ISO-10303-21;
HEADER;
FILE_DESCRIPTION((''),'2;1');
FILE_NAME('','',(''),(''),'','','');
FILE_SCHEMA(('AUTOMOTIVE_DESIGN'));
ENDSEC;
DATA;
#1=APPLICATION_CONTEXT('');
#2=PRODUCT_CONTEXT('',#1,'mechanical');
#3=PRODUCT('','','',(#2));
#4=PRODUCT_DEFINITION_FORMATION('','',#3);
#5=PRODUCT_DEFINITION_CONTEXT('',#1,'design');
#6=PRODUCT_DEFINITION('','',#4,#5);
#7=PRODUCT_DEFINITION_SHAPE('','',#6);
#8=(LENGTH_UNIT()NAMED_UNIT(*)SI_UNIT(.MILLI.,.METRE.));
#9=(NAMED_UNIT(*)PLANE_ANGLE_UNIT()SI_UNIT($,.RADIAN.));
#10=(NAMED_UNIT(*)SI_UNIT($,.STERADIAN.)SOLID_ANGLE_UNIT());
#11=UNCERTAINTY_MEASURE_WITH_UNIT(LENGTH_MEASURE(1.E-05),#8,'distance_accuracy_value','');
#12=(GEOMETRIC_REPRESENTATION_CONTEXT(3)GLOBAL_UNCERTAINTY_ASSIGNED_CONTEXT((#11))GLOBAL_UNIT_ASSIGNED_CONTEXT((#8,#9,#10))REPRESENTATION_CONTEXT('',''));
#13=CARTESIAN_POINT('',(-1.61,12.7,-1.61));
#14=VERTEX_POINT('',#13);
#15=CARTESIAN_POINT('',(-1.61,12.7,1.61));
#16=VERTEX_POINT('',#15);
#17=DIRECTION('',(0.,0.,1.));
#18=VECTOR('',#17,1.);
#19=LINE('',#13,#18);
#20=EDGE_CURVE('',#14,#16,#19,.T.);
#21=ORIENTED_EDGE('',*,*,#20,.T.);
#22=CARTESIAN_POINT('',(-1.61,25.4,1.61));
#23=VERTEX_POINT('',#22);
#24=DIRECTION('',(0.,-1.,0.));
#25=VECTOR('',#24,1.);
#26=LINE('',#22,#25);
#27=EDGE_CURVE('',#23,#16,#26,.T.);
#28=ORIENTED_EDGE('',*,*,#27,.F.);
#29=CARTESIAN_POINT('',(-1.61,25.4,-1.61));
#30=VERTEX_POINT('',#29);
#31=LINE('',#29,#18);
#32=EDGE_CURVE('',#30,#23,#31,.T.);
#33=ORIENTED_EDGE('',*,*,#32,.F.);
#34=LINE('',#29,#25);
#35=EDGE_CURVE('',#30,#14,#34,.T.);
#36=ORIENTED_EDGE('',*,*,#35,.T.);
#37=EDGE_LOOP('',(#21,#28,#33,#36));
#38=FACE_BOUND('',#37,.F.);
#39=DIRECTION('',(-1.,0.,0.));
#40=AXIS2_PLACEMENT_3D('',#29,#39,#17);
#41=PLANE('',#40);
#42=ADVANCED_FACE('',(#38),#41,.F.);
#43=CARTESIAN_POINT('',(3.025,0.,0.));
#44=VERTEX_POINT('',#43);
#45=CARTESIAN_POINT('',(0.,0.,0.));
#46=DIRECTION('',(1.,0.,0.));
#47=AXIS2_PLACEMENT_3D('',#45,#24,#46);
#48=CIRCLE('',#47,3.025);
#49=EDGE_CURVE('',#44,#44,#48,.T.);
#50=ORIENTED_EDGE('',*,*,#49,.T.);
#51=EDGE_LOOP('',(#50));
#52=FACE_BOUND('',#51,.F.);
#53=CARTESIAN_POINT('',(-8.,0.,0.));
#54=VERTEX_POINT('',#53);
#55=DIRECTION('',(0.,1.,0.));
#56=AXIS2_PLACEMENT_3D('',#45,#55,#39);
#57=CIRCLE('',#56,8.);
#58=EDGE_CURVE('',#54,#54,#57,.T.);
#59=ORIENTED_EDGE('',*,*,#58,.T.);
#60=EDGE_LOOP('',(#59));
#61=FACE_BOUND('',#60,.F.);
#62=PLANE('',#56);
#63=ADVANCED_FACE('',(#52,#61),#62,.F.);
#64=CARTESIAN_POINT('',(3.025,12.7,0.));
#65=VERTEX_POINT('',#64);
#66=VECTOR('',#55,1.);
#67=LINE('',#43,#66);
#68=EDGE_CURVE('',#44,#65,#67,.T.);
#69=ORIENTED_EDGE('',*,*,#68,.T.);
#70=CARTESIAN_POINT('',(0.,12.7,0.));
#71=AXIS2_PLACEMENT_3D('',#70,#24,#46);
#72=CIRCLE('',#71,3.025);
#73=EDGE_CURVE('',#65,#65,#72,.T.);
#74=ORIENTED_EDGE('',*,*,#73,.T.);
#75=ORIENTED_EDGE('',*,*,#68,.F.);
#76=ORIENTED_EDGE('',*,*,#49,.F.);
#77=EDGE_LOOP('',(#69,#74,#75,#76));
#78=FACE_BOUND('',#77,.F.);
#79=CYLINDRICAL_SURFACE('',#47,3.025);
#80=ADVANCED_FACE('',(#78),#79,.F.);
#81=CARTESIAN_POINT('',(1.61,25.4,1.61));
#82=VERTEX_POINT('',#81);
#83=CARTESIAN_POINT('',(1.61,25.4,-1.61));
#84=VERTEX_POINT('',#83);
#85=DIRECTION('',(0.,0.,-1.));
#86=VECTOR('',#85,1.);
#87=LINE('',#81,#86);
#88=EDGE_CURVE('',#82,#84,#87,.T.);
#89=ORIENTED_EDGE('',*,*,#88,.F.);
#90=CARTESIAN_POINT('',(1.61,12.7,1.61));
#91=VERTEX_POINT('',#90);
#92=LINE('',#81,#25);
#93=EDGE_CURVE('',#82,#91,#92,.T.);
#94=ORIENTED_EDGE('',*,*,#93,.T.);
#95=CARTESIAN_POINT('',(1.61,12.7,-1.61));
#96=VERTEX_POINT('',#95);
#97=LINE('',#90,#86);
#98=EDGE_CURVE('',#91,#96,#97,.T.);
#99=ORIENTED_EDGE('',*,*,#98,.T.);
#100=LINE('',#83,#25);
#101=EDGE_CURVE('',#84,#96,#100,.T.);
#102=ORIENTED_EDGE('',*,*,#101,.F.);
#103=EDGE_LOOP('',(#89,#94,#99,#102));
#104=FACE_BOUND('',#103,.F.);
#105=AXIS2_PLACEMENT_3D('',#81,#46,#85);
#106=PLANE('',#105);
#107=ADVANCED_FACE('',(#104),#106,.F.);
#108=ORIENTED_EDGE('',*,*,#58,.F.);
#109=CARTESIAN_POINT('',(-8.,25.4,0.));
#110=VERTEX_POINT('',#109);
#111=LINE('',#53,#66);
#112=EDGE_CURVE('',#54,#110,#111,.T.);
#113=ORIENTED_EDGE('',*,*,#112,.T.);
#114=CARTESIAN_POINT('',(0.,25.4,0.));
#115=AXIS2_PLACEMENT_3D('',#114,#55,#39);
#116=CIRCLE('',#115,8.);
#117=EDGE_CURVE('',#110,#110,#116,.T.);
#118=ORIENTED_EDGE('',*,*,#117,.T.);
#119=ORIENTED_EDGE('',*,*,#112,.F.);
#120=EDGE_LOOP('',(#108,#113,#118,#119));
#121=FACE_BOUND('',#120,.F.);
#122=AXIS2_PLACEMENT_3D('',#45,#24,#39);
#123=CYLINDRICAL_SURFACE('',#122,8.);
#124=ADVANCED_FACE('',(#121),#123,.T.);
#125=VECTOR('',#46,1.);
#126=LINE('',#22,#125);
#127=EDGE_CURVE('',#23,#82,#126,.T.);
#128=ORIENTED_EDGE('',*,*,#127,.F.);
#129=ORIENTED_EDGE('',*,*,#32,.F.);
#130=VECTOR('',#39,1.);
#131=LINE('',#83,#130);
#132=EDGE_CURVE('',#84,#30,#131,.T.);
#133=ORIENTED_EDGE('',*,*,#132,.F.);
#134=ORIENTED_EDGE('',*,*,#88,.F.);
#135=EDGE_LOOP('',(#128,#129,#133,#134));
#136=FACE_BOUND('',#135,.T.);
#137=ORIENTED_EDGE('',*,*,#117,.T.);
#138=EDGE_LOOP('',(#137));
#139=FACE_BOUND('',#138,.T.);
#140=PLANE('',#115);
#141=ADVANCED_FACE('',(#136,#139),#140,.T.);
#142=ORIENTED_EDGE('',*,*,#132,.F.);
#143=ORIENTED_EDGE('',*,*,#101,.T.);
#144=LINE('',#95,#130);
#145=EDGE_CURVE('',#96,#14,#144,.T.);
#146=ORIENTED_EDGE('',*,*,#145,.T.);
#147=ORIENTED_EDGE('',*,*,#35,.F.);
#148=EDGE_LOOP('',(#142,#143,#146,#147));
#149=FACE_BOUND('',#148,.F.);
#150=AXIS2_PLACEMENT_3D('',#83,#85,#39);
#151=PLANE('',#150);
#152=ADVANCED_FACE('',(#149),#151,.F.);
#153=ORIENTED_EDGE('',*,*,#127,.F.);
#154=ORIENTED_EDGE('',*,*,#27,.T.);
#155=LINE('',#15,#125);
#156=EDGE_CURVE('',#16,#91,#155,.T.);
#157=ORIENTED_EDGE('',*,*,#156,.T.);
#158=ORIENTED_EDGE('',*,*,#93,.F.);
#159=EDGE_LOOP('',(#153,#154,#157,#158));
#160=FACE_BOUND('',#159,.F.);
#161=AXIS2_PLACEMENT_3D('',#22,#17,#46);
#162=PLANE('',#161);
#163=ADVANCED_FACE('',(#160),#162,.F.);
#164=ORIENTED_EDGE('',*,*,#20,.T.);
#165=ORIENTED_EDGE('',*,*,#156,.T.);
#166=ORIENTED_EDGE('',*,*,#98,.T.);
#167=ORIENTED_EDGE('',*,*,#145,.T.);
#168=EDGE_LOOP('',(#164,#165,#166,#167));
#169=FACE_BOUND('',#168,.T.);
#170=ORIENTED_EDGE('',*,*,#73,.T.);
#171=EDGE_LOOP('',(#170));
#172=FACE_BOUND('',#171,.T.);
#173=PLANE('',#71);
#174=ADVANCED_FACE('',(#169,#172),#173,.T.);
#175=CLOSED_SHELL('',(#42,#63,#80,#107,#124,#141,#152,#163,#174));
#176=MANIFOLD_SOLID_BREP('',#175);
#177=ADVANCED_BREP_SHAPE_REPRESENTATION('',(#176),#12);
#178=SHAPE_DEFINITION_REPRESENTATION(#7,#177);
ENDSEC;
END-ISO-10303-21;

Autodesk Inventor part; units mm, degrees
ref_plane "YZ Plane" through (0, 0, 0) normal (1, 0, 0) x (0, 1, 0)
ref_plane "XZ Plane" through (0, 0, 0) normal (0, 1, 0) x (-1, 0, 0)
ref_plane "XY Plane" through (0, 0, 0) normal (0, 0, 1) x (1, 0, 0)
sketch "Sketch1" plane through (0, 0, 0) normal (0, 1, 0) x (-1, 0, 0)
  circle A0 centre (0, 0) radius 8
  dimension "d0" = 16
extrude "Extrusion1" add sketch "Sketch1" along normal blind 25.4
sketch "Sketch3" plane through (0, 25.4, 0) normal (0, 1, 0) x (1, 0, 0)
  line L0 (-1.61, -1.61) -> (1.61, -1.61)
  line L1 (1.61, -1.61) -> (1.61, 1.61)
  line L2 (1.61, 1.61) -> (-1.61, 1.61)
  line L3 (-1.61, 1.61) -> (-1.61, -1.61)
  point P0 (0, 0)
  dimension "d13" = 3.22
  dimension "d15" = 1.61
  dimension "d16" = 1.61
extrude "Extrusion2" cut sketch "Sketch3" against normal blind 12.7
sketch "Sketch4" plane through (0, 0, 0) normal (0, -1, 0) x (1, 0, 0)
  circle A0 centre (0, 0) radius 3.025
  dimension "d19" = 6.05
extrude "Extrusion3" cut sketch "Sketch4" against normal blind 12.7
equation "\"d15\" = 0.5 * d13"
equation "\"d16\" = 0.5 * d13"
properties part number "Wheel_Coupler"
